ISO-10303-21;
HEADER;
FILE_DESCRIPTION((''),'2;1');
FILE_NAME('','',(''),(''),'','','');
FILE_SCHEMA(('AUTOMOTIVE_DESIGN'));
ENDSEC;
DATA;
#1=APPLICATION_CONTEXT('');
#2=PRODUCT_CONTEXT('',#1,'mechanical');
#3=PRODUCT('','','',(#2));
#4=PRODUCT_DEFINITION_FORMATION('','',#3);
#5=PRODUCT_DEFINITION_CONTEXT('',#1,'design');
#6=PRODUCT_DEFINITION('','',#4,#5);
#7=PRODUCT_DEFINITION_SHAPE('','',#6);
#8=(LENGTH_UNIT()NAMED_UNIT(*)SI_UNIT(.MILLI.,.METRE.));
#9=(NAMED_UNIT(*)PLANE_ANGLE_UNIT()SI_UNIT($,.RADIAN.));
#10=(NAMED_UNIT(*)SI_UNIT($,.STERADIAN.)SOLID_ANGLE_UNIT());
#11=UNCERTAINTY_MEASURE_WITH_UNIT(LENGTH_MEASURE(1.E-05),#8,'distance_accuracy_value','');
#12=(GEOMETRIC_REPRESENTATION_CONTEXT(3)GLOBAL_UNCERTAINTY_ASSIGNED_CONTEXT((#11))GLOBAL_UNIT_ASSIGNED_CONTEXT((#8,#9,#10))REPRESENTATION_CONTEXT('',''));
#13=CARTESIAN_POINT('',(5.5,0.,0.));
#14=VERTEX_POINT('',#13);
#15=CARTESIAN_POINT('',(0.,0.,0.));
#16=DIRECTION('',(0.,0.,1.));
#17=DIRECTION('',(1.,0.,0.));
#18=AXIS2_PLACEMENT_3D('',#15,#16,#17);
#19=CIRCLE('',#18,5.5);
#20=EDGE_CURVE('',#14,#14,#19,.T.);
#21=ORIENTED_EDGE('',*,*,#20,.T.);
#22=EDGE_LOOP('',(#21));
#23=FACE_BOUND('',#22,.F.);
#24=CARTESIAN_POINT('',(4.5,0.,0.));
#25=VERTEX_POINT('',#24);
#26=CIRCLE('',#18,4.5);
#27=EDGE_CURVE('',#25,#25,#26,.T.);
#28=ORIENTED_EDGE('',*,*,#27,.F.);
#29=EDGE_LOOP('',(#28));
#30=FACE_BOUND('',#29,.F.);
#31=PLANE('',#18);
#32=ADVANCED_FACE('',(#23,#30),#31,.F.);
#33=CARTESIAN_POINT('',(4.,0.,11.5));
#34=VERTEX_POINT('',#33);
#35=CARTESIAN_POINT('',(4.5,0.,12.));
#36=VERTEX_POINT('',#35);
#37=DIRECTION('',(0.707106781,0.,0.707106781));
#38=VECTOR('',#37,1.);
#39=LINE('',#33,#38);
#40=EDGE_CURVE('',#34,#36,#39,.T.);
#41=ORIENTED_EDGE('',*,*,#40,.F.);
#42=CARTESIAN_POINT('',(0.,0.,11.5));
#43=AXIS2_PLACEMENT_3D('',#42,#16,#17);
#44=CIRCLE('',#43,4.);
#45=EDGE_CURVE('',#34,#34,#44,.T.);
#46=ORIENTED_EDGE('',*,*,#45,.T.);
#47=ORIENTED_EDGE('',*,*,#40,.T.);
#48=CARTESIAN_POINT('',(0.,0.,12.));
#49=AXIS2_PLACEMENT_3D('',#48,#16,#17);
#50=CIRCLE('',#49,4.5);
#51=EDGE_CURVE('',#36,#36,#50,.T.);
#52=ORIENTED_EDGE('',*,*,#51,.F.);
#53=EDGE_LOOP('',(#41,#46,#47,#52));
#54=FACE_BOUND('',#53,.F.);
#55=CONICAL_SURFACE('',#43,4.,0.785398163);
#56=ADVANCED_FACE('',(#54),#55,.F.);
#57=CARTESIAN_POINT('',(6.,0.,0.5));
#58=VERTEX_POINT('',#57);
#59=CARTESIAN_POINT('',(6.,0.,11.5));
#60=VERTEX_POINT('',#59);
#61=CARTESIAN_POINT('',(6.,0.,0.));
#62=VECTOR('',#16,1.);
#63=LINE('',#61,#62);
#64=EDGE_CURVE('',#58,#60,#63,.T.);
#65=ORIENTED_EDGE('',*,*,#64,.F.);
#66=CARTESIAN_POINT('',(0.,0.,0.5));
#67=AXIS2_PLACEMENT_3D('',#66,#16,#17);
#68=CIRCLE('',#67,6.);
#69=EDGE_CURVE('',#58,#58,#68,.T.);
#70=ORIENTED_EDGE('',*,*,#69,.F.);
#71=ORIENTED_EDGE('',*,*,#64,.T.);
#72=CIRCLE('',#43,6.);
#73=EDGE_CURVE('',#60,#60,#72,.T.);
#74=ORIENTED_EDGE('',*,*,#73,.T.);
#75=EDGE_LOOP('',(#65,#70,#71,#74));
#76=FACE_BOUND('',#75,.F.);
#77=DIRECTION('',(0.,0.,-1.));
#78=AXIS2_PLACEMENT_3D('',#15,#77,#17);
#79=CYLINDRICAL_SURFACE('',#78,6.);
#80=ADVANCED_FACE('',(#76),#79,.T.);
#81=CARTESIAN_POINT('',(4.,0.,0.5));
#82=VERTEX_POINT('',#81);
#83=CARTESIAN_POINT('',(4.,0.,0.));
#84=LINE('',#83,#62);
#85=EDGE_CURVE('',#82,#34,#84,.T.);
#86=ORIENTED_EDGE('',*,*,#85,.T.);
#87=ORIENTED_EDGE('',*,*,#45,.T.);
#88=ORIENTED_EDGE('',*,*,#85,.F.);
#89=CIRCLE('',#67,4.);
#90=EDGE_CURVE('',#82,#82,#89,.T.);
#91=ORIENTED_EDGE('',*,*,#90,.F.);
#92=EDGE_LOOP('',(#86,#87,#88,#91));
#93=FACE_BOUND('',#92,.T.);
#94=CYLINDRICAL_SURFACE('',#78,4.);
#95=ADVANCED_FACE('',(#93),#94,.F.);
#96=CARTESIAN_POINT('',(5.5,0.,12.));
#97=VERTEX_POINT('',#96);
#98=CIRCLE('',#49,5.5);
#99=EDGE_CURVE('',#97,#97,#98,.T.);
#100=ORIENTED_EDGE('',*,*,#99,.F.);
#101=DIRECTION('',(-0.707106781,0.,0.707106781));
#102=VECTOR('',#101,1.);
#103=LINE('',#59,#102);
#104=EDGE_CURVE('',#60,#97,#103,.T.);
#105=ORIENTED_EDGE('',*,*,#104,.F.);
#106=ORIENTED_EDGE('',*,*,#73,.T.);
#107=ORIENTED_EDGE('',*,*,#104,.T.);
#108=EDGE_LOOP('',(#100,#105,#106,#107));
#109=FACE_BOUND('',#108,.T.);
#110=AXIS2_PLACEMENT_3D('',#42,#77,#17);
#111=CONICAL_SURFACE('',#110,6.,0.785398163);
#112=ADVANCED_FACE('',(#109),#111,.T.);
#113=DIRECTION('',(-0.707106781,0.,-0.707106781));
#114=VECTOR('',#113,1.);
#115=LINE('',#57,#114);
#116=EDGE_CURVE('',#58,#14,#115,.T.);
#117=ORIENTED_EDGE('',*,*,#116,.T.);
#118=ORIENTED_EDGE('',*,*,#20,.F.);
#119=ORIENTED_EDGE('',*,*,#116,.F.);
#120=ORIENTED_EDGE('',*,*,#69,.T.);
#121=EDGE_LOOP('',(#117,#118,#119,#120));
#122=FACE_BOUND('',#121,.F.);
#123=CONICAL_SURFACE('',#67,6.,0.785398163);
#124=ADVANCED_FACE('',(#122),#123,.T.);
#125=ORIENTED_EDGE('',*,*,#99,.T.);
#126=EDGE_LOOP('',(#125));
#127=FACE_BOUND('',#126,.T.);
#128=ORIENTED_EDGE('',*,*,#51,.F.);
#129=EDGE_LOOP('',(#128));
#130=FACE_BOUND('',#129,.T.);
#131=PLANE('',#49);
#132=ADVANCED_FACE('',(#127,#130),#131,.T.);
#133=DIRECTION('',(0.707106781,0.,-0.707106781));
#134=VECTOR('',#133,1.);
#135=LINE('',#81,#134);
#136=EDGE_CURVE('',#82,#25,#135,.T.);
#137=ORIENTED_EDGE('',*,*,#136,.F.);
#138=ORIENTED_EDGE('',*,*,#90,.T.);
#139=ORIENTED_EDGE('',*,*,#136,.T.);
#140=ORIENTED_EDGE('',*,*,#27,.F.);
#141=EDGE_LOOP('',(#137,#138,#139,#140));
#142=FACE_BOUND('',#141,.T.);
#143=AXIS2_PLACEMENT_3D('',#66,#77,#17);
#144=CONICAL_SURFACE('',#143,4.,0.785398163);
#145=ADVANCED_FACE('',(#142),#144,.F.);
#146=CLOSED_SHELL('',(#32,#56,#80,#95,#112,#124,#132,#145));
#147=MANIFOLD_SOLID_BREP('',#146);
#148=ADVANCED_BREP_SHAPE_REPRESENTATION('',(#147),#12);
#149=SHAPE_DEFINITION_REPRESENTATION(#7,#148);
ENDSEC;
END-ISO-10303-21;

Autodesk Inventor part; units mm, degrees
ref_plane "YZ Plane" through (0, 0, 0) normal (1, 0, 0) x (0, 1, 0)
ref_plane "XZ Plane" through (0, 0, 0) normal (0, 1, 0) x (-1, 0, 0)
ref_plane "XY Plane" through (0, 0, 0) normal (0, 0, 1) x (1, 0, 0)
sketch "Sketch1" plane through (0, 0, 0) normal (0, 0, 1) x (1, 0, 0)
  circle A0 centre (0, 0) radius 6
  circle A1 centre (0, 0) radius 4
  dimension "d0" = 12
  dimension "d1" = 8
extrude "Extrusion1" add sketch "Sketch1" along normal blind 12
chamfer "Chamfer1" distance 0.5 angle 45 4 edges at (-6, 0, 12) (-4, 0, 12) (-6, 0, 0) (-4, 0, 0)
properties part number "BearingPlastic8x12x12"
